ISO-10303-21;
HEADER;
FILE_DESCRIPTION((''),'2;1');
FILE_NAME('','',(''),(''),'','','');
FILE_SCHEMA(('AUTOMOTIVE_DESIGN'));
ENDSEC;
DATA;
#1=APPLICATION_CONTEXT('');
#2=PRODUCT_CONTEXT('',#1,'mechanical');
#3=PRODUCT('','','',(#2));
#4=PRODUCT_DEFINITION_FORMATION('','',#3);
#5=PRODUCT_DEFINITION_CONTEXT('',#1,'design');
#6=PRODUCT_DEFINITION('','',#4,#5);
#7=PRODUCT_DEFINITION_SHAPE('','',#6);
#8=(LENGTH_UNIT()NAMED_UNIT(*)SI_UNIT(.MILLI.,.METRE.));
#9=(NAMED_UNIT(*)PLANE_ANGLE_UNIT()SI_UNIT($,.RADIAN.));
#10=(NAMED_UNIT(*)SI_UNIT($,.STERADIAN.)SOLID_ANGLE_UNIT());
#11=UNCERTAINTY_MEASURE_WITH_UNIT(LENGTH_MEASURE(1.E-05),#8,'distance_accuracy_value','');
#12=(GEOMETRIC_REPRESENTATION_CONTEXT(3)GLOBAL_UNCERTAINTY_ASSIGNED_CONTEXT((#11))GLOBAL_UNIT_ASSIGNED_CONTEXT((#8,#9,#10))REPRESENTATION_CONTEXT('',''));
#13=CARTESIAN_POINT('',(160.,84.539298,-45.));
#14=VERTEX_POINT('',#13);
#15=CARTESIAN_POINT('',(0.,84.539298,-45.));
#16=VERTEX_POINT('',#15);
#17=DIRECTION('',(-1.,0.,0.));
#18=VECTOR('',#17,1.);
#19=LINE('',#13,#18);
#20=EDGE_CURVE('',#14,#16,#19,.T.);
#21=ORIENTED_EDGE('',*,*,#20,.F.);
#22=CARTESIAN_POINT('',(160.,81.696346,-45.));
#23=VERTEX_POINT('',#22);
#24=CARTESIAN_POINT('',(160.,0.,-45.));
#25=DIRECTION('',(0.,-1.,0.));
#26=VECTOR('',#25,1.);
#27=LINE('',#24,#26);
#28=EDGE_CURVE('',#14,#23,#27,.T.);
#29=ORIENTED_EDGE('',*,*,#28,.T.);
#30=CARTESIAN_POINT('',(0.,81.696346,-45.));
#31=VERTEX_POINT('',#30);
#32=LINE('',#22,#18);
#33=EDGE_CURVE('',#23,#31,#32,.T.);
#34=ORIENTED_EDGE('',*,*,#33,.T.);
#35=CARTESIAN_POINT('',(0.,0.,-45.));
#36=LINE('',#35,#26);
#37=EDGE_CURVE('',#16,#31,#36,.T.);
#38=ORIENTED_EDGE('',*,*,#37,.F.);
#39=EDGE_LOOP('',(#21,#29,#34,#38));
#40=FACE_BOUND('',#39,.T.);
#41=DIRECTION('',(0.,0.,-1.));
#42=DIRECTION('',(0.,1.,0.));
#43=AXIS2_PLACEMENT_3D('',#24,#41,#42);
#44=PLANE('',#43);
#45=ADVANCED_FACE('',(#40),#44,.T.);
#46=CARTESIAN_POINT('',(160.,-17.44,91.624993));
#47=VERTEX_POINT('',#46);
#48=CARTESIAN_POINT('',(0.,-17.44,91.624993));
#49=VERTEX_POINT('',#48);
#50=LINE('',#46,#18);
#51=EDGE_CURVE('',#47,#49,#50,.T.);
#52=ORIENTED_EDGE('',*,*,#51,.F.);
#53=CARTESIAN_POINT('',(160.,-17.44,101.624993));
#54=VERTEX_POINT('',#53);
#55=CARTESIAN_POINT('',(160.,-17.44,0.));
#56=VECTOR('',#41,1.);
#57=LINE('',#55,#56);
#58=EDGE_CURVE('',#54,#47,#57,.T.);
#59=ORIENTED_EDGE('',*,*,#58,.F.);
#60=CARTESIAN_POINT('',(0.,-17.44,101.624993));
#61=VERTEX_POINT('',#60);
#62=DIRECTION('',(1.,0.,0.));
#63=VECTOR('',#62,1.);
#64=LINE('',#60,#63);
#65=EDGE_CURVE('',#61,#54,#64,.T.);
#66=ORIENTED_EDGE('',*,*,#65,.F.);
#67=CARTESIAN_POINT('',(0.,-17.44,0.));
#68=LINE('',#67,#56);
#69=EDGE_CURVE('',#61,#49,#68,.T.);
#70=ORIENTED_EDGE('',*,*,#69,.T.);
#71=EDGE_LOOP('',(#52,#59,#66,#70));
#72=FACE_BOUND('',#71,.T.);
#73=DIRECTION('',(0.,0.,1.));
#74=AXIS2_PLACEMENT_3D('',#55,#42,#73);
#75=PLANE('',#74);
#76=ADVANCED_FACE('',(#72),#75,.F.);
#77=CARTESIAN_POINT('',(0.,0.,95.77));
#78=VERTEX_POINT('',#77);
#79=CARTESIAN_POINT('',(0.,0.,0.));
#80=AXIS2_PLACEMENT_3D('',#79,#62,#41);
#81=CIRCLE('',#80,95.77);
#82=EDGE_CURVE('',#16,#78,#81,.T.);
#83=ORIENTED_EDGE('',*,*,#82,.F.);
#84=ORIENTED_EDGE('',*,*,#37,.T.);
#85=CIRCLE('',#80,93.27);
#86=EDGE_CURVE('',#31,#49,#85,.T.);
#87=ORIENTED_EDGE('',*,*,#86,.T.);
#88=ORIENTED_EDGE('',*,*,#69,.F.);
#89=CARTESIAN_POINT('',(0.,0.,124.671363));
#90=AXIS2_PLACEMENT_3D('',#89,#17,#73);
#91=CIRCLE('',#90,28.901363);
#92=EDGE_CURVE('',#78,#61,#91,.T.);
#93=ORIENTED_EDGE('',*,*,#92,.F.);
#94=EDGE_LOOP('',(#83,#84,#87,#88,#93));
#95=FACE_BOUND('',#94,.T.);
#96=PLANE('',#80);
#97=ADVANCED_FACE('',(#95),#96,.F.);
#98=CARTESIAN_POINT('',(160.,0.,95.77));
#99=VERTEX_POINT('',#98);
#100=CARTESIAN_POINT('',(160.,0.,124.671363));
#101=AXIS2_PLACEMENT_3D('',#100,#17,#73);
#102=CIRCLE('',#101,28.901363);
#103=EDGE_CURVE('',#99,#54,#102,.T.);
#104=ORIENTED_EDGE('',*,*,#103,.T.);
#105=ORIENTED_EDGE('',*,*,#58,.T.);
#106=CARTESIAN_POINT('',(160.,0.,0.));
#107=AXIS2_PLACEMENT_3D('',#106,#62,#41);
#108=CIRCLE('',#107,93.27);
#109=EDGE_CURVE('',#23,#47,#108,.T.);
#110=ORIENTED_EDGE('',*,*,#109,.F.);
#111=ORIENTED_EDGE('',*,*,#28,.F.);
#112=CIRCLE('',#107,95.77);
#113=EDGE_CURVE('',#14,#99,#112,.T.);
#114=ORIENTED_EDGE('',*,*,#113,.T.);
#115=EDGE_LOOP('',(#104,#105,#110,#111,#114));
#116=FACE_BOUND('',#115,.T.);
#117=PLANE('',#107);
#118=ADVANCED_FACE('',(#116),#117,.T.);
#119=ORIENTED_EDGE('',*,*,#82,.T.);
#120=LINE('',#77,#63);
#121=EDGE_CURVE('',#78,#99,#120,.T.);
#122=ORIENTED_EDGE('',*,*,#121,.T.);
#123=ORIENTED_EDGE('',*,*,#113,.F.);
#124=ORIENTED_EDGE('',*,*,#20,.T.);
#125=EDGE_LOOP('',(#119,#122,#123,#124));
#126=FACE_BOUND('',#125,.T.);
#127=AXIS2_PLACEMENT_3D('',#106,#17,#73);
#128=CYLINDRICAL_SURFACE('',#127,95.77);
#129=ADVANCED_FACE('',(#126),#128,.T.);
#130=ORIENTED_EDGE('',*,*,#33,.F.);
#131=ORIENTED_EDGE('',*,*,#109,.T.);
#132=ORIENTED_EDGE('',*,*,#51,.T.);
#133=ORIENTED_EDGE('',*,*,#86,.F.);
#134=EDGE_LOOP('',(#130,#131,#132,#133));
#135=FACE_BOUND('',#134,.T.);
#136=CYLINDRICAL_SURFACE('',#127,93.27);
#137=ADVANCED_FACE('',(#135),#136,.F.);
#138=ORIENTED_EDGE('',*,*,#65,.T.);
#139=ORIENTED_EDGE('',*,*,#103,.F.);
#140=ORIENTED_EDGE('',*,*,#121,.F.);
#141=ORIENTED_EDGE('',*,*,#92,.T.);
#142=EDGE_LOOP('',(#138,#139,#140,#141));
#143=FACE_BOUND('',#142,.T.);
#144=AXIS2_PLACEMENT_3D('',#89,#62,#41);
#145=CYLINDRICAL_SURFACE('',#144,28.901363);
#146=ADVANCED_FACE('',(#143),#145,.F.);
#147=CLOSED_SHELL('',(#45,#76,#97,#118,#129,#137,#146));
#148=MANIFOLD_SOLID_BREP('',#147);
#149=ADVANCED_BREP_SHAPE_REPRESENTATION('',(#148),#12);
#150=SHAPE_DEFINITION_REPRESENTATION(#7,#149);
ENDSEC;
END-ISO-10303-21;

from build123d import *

# Parameters (mm, degrees)
SALIENTE_EXTRUIR1_DEPTH = 160
SALIENTE_EXTRUIR3_START = -160
SALIENTE_EXTRUIR3_DEPTH = 160


with BuildPart() as part:
    # Croquis1 → Saliente-Extruir1 (new body)
    with BuildSketch(Plane(origin=(0, 0, 0), x_dir=(0, 0, -1), z_dir=(1, 0, 0))):
        with BuildLine():
            ThreePointArc((45, 84.539297963), (-56.606836573, 77.249977043), (-94.168674728, -17.44))
            Line((-94.168674728, -17.44), (-91.624992769, -17.44))
            ThreePointArc((-91.624992769, -17.44), (-54.7766031, 75.490507038), (45, 81.696345696))
            Line((45, 81.696345696), (45, 84.539297963))
        make_face()
    extrude(amount=SALIENTE_EXTRUIR1_DEPTH)

    # Croquis2 → Saliente-Extruir3 (add)
    with BuildSketch(Plane(origin=(160, 0, 0), x_dir=(0, 0, -1), z_dir=(1, 0, 0)).offset(SALIENTE_EXTRUIR3_START)):
        with BuildLine():
            Line((-94.168674728, -17.44), (-101.624992769, -17.44))
            ThreePointArc((-101.624992769, -17.44), (-97.2728202, -9.198295227), (-95.77, 0))
            ThreePointArc((-95.77, 0), (-95.368828447, -8.756680916), (-94.168674728, -17.44))
        make_face()
    extrude(amount=SALIENTE_EXTRUIR3_DEPTH)


solid = part.part
